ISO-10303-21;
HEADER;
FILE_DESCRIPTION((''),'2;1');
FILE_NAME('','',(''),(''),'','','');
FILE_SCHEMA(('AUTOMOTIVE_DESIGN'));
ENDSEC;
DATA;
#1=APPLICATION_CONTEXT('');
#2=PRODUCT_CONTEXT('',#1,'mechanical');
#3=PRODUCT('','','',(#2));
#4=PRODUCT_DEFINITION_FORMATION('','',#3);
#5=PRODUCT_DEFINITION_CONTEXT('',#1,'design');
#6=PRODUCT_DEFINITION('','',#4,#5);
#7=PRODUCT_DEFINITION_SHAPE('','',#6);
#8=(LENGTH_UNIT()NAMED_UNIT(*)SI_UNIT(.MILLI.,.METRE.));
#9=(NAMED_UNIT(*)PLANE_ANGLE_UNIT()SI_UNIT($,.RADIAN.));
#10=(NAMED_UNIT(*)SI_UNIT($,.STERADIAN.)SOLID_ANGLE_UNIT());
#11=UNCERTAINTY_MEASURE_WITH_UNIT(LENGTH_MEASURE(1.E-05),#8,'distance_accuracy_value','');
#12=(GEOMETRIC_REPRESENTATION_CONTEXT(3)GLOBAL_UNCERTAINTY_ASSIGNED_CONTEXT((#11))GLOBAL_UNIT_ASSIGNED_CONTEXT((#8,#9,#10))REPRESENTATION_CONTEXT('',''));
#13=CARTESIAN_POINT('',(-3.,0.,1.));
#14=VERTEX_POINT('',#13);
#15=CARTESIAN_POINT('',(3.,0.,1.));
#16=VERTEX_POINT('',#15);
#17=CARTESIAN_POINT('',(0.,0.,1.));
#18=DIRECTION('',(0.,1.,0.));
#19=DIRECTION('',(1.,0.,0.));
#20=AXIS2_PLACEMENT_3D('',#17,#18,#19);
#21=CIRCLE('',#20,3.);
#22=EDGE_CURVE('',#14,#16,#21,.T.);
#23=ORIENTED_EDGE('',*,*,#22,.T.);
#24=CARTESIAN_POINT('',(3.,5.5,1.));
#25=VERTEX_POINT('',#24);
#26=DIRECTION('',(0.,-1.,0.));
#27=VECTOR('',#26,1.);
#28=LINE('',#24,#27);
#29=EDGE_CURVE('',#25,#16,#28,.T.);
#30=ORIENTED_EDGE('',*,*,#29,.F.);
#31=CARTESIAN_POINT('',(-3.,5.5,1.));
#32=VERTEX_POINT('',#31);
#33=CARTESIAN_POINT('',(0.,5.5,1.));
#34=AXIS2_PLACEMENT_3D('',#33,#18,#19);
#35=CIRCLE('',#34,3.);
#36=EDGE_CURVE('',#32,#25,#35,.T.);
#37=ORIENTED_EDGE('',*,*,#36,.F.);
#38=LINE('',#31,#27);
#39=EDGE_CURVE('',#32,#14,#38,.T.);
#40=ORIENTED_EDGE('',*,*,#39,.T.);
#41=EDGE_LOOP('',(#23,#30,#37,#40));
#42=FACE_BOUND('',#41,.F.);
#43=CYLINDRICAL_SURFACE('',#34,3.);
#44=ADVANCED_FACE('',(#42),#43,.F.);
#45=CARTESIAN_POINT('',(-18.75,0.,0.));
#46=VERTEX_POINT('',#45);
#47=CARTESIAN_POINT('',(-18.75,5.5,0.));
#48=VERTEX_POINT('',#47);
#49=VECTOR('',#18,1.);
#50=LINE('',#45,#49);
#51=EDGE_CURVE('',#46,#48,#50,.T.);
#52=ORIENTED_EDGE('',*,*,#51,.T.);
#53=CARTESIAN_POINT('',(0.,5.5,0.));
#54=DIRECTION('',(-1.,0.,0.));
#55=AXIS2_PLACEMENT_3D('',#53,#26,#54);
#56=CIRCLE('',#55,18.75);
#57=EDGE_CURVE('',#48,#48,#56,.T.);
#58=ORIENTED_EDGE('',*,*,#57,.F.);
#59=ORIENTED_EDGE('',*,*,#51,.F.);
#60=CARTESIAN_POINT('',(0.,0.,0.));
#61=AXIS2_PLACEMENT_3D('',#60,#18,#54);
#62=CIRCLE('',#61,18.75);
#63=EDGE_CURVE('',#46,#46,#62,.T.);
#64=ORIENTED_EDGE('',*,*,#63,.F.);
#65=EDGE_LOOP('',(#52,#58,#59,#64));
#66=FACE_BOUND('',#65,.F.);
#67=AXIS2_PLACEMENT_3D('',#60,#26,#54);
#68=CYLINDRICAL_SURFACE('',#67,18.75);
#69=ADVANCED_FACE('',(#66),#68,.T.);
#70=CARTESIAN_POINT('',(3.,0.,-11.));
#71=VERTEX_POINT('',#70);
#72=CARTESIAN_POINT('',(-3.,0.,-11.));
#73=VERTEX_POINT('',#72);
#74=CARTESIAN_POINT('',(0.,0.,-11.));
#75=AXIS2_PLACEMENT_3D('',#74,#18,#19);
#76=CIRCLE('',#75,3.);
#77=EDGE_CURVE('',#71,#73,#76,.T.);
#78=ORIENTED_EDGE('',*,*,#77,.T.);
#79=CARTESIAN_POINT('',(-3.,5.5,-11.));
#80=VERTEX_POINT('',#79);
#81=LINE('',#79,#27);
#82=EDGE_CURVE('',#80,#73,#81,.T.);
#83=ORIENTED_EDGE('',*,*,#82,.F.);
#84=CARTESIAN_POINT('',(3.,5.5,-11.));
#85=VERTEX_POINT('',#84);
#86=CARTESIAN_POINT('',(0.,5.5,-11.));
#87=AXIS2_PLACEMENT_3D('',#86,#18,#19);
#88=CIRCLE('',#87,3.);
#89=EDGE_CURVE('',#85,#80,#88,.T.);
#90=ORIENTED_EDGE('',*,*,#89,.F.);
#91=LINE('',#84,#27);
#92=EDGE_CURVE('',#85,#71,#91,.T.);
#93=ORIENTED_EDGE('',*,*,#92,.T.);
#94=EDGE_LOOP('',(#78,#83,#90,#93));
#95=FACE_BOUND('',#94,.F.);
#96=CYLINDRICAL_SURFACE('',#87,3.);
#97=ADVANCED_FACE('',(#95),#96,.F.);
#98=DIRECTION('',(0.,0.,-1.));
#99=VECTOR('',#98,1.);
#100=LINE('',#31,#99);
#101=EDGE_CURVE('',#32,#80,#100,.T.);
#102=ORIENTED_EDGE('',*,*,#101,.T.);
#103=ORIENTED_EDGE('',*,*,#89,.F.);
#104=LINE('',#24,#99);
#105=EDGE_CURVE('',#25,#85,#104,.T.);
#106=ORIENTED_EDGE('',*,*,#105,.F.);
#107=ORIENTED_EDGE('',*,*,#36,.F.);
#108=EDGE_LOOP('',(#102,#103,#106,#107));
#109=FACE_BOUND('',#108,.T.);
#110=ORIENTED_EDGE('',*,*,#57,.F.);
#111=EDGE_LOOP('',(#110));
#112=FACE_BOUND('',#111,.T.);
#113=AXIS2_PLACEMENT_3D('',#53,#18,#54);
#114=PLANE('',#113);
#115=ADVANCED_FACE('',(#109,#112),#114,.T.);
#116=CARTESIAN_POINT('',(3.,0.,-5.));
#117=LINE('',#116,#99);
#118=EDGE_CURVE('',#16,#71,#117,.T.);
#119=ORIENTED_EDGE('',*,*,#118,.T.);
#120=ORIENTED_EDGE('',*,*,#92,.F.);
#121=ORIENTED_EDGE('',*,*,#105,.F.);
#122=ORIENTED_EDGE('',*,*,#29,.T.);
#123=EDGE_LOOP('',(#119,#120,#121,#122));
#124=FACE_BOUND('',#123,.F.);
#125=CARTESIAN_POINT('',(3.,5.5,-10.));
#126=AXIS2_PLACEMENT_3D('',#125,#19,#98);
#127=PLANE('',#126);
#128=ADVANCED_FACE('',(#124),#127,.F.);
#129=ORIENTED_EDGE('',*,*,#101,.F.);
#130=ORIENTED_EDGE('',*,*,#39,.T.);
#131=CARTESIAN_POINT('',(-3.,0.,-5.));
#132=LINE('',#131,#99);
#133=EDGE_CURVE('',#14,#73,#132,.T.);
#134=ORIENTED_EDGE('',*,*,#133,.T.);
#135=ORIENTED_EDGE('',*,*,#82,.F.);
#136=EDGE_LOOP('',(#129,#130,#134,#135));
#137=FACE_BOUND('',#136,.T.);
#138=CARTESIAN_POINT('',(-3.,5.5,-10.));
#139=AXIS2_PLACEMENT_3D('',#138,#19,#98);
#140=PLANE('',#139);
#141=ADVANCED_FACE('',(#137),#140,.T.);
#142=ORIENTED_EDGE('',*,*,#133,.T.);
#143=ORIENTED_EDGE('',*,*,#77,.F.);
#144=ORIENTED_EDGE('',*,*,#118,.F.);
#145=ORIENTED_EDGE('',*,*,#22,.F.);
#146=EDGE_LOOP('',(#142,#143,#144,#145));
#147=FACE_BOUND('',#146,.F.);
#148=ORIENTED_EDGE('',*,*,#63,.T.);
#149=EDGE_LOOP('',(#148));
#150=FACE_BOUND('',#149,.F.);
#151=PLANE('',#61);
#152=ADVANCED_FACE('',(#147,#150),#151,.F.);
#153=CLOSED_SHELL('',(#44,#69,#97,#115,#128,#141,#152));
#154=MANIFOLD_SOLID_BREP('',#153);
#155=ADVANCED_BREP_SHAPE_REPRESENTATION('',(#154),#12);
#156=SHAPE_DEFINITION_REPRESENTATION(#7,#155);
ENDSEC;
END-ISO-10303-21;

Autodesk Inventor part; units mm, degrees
ref_plane "YZ Plane" through (0, 0, 0) normal (1, 0, 0) x (0, 1, 0)
ref_plane "XZ Plane" through (0, 0, 0) normal (0, 1, 0) x (-1, 0, 0)
ref_plane "XY Plane" through (0, 0, 0) normal (0, 0, 1) x (1, 0, 0)
sketch "スケッチ1" plane through (0, 0, 0) normal (0, 1, 0) x (-1, 0, 0)
  circle A0 centre (0, 0) radius 22.5 construction
  circle A1 centre (0, 0) radius 25.5 construction
  line L0 (25.5, 1.2181) -> (25.5, -1.2181)
  line L1 (25.5, 1.2181) -> (22.3764, 2.355)
  line L2 (25.5, -1.2181) -> (22.3764, -2.355)
  line L3 (35.7, 0) -> (-35.7, 0) projected
  circle A2 centre (0, 0) radius 18.75
  line L4 (22.3764, -2.355) -> (18.647, -1.9625)
  line L5 (22.3764, 2.355) -> (18.647, 1.9625)
  line L6 (19.484, 11.2527) -> (16.2367, 9.3773)
  line L7 (22.8, 11.4846) -> (19.484, 11.2527)
  line L8 (22.8, 11.4846) -> (23.7909, 9.259)
  line L9 (23.7909, 9.259) -> (21.3997, 6.9499)
  line L10 (21.3997, 6.9499) -> (17.8331, 5.7916)
  line L11 (13.2226, 18.2047) -> (11.0189, 15.1706)
  line L12 (16.1576, 19.7653) -> (13.2226, 18.2047)
  line L13 (16.1576, 19.7653) -> (17.9681, 18.1351)
  line L14 (17.9681, 18.1351) -> (16.7229, 15.0531)
  line L15 (16.7229, 15.0531) -> (13.9357, 12.5443)
  line L16 (4.675, 22.009) -> (3.8958, 18.3408)
  line L17 (6.7214, 24.6284) -> (4.675, 22.009)
  line L18 (6.7214, 24.6284) -> (9.0384, 23.8755)
  line L19 (9.0384, 23.8755) -> (9.1544, 20.5535)
  line L20 (9.1544, 20.5535) -> (7.6287, 17.1279)
  line L21 (-4.6811, 22.0077) -> (-3.9009, 18.3397)
  line L22 (-3.8769, 25.233) -> (-4.6811, 22.0077)
  line L23 (-3.8769, 25.233) -> (-1.454, 25.4876)
  line L24 (-1.454, 25.4876) -> (0.0031, 22.5)
  line L25 (0.0031, 22.5) -> (0.0026, 18.75)
  line L26 (-13.2277, 18.201) -> (-11.0231, 15.1675)
  line L27 (-13.8049, 21.4746) -> (-13.2277, 18.201)
  line L28 (-13.8049, 21.4746) -> (-11.6951, 22.6927)
  line L29 (-11.6951, 22.6927) -> (-9.1487, 20.556)
  line L30 (-9.1487, 20.556) -> (-7.6239, 17.13)
  line L31 (-19.4871, 11.2473) -> (-16.2393, 9.3727)
  line L32 (-21.3459, 14.0031) -> (-19.4871, 11.2473)
  line L33 (-21.3459, 14.0031) -> (-19.9139, 15.974)
  line L34 (-19.9139, 15.974) -> (-16.7187, 15.0578)
  line L35 (-16.7187, 15.0578) -> (-13.9322, 12.5481)
  line L36 (-22.3771, 2.3488) -> (-18.6476, 1.9573)
  line L37 (-25.196, 4.1103) -> (-22.3771, 2.3488)
  line L38 (-25.196, 4.1103) -> (-24.6895, 6.4932)
  line L39 (-24.6895, 6.4932) -> (-21.3978, 6.9559)
  line L40 (-21.3978, 6.9559) -> (-17.8315, 5.7965)
  line L41 (-21.3978, -6.9559) -> (-17.8315, -5.7965)
  line L42 (-24.6895, -6.4932) -> (-21.3978, -6.9559)
  line L43 (-24.6895, -6.4932) -> (-25.196, -4.1103)
  line L44 (-25.196, -4.1103) -> (-22.3771, -2.3488)
  line L45 (-22.3771, -2.3488) -> (-18.6476, -1.9573)
  line L46 (-16.7187, -15.0578) -> (-13.9322, -12.5481)
  line L47 (-19.9139, -15.974) -> (-16.7187, -15.0578)
  line L48 (-19.9139, -15.974) -> (-21.3459, -14.0031)
  line L49 (-21.3459, -14.0031) -> (-19.4871, -11.2473)
  line L50 (-19.4871, -11.2473) -> (-16.2393, -9.3727)
  line L51 (-9.1487, -20.556) -> (-7.6239, -17.13)
  line L52 (-11.6951, -22.6927) -> (-9.1487, -20.556)
  line L53 (-11.6951, -22.6927) -> (-13.8049, -21.4746)
  line L54 (-13.8049, -21.4746) -> (-13.2277, -18.201)
  line L55 (-13.2277, -18.201) -> (-11.0231, -15.1675)
  line L56 (0.0031, -22.5) -> (0.0026, -18.75)
  line L57 (-1.454, -25.4876) -> (0.0031, -22.5)
  line L58 (-1.454, -25.4876) -> (-3.8769, -25.233)
  line L59 (-3.8769, -25.233) -> (-4.6811, -22.0077)
  line L60 (-4.6811, -22.0077) -> (-3.9009, -18.3397)
  line L61 (9.1544, -20.5535) -> (7.6287, -17.1279)
  line L62 (9.0384, -23.8755) -> (9.1544, -20.5535)
  line L63 (9.0384, -23.8755) -> (6.7214, -24.6284)
  line L64 (6.7214, -24.6284) -> (4.675, -22.009)
  line L65 (4.675, -22.009) -> (3.8958, -18.3408)
  line L66 (16.7229, -15.0531) -> (13.9357, -12.5443)
  line L67 (17.9681, -18.1351) -> (16.7229, -15.0531)
  line L68 (17.9681, -18.1351) -> (16.1576, -19.7653)
  line L69 (16.1576, -19.7653) -> (13.2226, -18.2047)
  line L70 (13.2226, -18.2047) -> (11.0189, -15.1706)
  line L71 (21.3997, -6.9499) -> (17.8331, -5.7916)
  line L72 (23.7909, -9.259) -> (21.3997, -6.9499)
  line L73 (23.7909, -9.259) -> (22.8, -11.4846)
  line L74 (22.8, -11.4846) -> (19.484, -11.2527)
  line L75 (19.484, -11.2527) -> (16.2367, -9.3773)
  circle A3 centre (0, 0) radius 11
  point P0 (25.5, 0)
  point P1 (23.2954, 10.3718)
  point P2 (17.0628, 18.9502)
  point P3 (7.8799, 24.2519)
  point P4 (-2.6655, 25.3603)
  point P5 (-12.75, 22.0836)
  point P6 (-20.6299, 14.9885)
  point P7 (-24.9428, 5.3017)
  point P8 (-24.9428, -5.3017)
  point P9 (-20.6299, -14.9885)
  point P10 (-12.75, -22.0836)
  point P11 (-2.6655, -25.3603)
  point P12 (7.8799, -24.2519)
  point P13 (17.0628, -18.9502)
  point P14 (23.2954, -10.3718)
  point P15 (17.8331, 5.7916)
  point P16 (16.2367, 9.3773)
  point P17 (13.9357, 12.5443)
  point P18 (11.0189, 15.1706)
  point P19 (7.6287, 17.1279)
  point P20 (3.8958, 18.3408)
  point P21 (0.0026, 18.75)
  point P22 (-3.9009, 18.3397)
  point P23 (-7.6239, 17.13)
  point P24 (-11.0231, 15.1675)
  point P25 (-13.9322, 12.5481)
  point P26 (-16.2393, 9.3727)
  point P27 (-17.8315, 5.7965)
  point P28 (-18.6476, 1.9573)
  point P29 (-18.6476, -1.9573)
  point P30 (-17.8315, -5.7965)
  point P31 (-16.2393, -9.3727)
  point P32 (-13.9322, -12.5481)
  point P33 (-11.0231, -15.1675)
  point P34 (-7.6239, -17.13)
  point P35 (-3.9009, -18.3397)
  point P36 (0.0026, -18.75)
  point P37 (3.8958, -18.3408)
  point P38 (7.6287, -17.1279)
  point P39 (11.0189, -15.1706)
  point P40 (13.9357, -12.5443)
  point P41 (16.2367, -9.3773)
  point P42 (17.8331, -5.7916)
  dimension "d5" = 37.5
  dimension "d0" = 45
  dimension "d1" = 51
  dimension "d3" = 20
  dimension "d4" = 20
  dimension "d14" = 4.71
  dimension "d18" = 360
  dimension "d23" = 22
extrude "押し出し1" add sketch "スケッチ1" along normal blind 5.5 contours A2 L3 A3 | L3 A3 A2 | A3 L3 | L3 A3
sketch "スケッチ2" plane through (0, 5.5, 0) normal (0, 1, 0) x (1, 0, 0)
  circle A0 centre (0, 10) radius 3 construction
  circle A1 centre (0, 0) radius 3 construction
  line L0 (-3, 10) -> (-3, 0)
  line L1 (3, 10) -> (3, 0)
  circle A2 centre (0, 11) radius 3
  circle A3 centre (0, -1) radius 3
  line L2 (3, 10) -> (3, 11)
  line L3 (-3, 10) -> (-3, 11)
  line L4 (3, 0) -> (3, -1)
  line L5 (-3, 0) -> (-3, -1)
  dimension "d30" = 6
  dimension "d31" = 6
  dimension "d32" = 10
  dimension "d33" = 6
  dimension "d34" = 6
  dimension "d35" = 1
  dimension "d36" = 1
extrude "押し出し2" cut sketch "スケッチ2" against normal through all
properties part number "M3_15_ホーン"
